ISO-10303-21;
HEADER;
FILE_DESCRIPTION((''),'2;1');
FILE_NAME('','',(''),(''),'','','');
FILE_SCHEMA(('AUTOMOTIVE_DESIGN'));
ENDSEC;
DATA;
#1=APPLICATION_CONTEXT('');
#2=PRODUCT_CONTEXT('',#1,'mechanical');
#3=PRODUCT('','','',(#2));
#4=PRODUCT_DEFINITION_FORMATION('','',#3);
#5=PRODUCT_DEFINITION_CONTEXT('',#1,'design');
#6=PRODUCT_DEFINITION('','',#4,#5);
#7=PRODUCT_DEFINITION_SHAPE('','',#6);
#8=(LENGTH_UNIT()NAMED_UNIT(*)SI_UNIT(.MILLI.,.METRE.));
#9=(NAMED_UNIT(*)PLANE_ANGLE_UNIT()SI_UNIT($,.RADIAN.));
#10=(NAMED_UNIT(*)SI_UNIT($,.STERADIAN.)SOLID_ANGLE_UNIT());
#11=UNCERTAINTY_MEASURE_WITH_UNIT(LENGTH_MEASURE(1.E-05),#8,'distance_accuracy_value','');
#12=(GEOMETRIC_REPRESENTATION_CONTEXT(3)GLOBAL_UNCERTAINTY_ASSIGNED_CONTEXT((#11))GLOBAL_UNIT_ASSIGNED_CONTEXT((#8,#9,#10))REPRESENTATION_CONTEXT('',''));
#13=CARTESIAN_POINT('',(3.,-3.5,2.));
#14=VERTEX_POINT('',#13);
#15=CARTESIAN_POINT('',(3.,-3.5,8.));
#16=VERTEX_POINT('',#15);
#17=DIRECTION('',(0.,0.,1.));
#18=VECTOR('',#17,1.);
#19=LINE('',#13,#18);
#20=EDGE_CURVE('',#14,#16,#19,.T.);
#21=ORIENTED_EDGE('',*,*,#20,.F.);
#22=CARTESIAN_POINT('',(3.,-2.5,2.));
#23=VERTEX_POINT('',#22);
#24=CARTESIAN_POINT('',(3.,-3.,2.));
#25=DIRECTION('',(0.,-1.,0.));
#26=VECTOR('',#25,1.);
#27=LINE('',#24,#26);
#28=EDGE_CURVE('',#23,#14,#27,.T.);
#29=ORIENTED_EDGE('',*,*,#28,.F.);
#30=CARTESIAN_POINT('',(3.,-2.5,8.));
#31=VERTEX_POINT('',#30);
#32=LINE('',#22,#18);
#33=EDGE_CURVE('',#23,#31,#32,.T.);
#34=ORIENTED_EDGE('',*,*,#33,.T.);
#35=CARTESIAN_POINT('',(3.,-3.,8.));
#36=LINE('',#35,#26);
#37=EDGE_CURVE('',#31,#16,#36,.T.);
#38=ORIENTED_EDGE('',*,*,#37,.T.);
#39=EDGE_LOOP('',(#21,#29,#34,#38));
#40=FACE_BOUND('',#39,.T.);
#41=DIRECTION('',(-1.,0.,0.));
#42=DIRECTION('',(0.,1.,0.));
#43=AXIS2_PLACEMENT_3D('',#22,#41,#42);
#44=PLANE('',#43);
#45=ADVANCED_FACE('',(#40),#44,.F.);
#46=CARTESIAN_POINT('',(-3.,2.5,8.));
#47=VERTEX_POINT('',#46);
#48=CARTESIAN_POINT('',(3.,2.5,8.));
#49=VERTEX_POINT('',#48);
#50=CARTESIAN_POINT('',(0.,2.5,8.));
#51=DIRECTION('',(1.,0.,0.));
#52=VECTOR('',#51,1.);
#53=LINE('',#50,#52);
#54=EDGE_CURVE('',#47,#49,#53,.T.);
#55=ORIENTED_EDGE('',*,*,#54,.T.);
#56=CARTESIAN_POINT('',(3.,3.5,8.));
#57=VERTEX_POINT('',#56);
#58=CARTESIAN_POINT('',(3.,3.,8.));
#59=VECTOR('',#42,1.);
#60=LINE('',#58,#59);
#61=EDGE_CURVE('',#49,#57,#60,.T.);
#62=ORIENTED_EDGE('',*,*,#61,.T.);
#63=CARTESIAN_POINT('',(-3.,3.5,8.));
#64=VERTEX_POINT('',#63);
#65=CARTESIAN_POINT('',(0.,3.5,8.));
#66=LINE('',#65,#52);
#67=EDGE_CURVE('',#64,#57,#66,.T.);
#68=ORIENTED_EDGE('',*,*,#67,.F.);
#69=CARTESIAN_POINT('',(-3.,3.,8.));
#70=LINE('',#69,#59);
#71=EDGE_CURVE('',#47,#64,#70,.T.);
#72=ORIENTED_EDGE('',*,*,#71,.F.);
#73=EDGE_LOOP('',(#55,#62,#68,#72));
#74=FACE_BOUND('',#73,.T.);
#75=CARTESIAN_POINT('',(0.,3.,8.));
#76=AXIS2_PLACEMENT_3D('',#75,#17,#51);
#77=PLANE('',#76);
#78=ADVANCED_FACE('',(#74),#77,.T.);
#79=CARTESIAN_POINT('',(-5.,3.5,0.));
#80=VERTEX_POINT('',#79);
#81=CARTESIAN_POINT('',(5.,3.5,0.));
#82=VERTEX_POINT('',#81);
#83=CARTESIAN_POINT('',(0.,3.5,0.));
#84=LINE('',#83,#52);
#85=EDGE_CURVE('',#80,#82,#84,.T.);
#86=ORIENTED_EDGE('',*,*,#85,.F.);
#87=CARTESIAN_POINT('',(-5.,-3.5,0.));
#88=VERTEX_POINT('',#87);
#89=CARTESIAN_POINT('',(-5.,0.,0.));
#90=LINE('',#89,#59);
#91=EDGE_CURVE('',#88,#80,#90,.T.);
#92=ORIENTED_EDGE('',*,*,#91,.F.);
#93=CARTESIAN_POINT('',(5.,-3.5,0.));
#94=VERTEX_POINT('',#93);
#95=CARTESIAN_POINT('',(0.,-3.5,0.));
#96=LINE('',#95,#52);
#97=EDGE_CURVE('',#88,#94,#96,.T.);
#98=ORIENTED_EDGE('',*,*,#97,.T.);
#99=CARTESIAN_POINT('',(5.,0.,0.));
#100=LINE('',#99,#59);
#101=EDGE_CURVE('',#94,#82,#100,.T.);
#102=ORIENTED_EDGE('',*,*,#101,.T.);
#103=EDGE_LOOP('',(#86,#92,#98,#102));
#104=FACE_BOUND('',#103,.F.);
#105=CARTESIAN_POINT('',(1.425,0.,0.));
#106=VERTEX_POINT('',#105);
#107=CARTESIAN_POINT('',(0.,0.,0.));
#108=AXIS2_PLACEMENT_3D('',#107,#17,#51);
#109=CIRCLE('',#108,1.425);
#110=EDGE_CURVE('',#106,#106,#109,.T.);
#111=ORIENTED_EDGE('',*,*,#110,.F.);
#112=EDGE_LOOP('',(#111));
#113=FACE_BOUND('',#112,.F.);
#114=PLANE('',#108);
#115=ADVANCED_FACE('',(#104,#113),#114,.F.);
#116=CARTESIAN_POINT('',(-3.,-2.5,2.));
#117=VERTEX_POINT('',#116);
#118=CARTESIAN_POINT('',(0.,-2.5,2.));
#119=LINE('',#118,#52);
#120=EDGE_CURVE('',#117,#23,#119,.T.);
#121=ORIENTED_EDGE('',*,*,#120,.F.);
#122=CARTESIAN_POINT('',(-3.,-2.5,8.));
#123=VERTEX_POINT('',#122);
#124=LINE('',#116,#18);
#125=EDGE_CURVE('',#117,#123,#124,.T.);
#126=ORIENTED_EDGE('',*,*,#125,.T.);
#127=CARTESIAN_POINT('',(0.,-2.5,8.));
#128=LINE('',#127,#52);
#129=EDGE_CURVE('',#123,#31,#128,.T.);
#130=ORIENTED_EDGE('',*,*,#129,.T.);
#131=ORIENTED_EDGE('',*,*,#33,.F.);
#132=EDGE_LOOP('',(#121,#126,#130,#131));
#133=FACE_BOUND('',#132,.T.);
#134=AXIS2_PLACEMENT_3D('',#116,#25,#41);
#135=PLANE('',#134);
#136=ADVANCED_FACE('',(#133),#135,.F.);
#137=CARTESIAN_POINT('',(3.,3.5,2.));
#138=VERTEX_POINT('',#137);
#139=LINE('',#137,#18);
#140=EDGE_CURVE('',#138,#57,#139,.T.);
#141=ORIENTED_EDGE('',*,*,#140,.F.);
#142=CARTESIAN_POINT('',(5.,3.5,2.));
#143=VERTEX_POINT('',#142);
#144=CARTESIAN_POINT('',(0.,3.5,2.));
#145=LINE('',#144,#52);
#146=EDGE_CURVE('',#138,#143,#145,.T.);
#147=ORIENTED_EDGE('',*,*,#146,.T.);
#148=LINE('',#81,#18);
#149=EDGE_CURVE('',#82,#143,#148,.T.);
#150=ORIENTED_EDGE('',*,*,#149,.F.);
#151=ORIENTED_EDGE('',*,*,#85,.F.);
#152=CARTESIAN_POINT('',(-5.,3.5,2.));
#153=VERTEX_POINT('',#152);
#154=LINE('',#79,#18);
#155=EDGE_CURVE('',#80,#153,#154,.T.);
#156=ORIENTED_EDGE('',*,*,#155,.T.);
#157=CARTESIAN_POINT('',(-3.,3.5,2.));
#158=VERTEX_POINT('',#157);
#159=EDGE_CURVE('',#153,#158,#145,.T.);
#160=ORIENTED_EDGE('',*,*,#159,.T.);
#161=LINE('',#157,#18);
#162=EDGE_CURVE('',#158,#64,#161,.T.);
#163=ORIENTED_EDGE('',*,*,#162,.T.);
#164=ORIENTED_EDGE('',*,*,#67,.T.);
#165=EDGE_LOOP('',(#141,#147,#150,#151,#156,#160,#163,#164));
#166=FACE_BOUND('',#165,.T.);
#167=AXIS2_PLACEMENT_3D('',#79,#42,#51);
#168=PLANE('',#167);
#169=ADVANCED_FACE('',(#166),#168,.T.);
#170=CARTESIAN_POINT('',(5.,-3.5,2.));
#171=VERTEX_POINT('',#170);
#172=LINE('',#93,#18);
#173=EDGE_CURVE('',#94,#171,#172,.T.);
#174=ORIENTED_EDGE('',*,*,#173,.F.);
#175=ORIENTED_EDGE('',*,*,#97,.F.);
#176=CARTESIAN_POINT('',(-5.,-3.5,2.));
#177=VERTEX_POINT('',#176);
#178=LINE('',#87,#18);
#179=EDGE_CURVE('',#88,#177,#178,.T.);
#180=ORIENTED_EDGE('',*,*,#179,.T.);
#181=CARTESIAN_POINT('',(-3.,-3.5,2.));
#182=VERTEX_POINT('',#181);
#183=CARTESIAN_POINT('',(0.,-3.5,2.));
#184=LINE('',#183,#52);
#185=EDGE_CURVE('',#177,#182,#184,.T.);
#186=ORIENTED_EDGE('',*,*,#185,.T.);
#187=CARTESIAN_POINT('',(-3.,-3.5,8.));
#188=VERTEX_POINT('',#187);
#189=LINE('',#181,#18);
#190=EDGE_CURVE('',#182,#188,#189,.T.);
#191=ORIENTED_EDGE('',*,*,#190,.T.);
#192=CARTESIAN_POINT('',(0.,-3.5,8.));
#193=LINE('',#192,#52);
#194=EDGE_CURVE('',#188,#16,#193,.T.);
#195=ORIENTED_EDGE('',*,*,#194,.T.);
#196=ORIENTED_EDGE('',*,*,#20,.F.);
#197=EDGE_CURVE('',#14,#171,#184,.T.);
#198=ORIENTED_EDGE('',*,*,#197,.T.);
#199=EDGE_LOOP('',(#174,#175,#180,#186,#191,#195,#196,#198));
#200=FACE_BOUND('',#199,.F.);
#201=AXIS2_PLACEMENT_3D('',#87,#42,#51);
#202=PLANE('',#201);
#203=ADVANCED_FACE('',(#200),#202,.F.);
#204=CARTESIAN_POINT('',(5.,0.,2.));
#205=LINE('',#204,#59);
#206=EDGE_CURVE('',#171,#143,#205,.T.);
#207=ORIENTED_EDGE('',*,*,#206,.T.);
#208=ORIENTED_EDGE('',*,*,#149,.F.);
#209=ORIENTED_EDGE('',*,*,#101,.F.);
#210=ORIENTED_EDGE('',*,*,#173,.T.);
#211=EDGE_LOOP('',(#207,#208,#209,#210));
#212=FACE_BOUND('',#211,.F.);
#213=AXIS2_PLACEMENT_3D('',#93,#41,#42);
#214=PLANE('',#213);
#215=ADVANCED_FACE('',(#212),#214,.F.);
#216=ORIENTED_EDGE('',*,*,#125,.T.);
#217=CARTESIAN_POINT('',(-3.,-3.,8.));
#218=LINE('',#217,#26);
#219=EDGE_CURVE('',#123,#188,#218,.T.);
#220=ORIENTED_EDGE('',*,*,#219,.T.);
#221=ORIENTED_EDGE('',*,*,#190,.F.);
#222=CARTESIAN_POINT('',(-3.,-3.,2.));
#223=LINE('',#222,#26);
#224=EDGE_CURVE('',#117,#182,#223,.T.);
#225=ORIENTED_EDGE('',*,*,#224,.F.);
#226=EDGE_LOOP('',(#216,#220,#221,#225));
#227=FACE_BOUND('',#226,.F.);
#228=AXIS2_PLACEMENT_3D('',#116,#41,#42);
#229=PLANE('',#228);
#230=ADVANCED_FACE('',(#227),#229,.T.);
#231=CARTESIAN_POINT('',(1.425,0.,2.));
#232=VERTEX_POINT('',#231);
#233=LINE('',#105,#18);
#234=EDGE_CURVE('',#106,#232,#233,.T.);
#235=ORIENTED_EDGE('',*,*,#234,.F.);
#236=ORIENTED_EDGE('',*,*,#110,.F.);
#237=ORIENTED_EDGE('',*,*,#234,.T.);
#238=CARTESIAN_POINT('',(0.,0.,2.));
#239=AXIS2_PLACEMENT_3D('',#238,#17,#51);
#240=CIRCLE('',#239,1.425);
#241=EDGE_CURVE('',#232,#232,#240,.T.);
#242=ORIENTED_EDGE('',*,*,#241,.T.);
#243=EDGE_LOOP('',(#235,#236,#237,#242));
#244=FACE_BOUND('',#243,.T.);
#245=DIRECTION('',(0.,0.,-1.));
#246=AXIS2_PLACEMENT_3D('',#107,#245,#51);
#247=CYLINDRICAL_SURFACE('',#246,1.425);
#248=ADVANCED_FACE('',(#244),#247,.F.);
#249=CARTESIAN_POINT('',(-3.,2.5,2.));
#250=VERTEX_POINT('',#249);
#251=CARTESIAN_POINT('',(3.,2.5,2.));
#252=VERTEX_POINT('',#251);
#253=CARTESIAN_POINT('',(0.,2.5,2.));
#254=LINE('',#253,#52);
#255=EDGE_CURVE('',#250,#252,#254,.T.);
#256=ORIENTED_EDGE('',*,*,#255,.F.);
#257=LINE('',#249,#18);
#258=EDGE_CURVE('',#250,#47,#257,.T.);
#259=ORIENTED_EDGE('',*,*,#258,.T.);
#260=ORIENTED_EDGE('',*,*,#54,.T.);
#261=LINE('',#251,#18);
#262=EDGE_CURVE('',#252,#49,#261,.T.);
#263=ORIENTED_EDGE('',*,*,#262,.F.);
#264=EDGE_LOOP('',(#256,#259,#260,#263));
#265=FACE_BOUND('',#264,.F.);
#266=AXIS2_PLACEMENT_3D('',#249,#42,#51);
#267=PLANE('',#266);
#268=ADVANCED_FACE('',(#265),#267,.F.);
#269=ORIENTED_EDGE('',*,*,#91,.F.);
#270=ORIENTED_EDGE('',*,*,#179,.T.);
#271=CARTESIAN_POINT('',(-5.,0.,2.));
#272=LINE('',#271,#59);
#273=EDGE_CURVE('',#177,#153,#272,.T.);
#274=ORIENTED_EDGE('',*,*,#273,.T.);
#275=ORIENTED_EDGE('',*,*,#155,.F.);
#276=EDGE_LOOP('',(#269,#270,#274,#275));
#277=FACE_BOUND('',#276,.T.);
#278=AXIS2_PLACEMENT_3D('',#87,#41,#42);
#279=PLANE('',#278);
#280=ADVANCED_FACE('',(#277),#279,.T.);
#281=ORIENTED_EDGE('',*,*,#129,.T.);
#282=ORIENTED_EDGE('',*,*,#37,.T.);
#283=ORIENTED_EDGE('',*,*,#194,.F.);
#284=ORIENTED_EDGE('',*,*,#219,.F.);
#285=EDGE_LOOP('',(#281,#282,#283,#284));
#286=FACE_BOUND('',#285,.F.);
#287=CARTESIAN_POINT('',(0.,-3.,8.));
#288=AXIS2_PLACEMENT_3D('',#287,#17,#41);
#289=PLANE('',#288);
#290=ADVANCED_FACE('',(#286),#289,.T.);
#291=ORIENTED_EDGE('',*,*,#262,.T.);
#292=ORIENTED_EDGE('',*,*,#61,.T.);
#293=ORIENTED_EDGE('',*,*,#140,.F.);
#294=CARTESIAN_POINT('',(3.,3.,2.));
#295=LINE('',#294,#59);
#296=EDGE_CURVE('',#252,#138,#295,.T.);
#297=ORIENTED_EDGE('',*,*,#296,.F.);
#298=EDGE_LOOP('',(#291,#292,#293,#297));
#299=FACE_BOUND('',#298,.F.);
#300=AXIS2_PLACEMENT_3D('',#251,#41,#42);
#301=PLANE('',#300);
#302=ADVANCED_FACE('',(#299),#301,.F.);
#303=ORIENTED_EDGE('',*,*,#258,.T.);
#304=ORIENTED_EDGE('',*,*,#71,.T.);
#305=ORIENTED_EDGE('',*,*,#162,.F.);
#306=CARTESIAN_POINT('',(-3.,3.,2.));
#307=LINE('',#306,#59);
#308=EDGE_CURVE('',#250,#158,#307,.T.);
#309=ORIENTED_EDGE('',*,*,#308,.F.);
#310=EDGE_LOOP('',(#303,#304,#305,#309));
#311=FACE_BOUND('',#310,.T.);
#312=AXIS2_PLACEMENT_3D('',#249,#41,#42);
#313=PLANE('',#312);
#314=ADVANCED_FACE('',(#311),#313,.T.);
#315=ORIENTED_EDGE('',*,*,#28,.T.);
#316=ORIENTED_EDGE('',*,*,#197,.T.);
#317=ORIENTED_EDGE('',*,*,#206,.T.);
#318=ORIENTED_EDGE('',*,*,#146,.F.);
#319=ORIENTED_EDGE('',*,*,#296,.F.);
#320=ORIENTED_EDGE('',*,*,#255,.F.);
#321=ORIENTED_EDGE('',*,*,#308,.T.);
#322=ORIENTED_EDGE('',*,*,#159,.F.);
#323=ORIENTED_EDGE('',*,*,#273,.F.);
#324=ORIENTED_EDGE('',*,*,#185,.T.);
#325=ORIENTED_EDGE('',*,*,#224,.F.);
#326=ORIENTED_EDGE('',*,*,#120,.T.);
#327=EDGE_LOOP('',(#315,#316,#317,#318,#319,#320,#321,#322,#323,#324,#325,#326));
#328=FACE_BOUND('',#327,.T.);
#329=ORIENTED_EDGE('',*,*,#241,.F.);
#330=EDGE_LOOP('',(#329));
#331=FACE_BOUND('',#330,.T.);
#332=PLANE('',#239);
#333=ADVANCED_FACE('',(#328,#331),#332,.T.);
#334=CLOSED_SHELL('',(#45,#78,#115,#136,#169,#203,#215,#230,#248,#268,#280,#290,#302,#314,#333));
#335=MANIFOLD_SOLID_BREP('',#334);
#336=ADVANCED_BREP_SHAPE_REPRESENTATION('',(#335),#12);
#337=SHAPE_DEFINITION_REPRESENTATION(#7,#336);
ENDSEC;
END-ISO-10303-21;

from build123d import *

# Parameters (mm, degrees)
SKETCH1_W           = 10
SKETCH1_H           = 7
SKETCH1_R           = 1.425
BOSS_EXTRUDE1_DEPTH = 2
SKETCH3_W           = 6
SKETCH3_H           = 1
BOSS_EXTRUDE2_DEPTH = 6


with BuildPart() as part:
    # Sketch1 → Boss-Extrude1 (new body)
    with BuildSketch(Plane.XY):
        Rectangle(SKETCH1_W, SKETCH1_H)
        Circle(SKETCH1_R, mode=Mode.SUBTRACT)
    extrude(amount=BOSS_EXTRUDE1_DEPTH)

    # Sketch3 → Boss-Extrude2 (add)
    with BuildSketch(Plane.XY.offset(2)):
        with Locations((0, 3)):
            Rectangle(SKETCH3_W, SKETCH3_H)
    boss_extrude2 = extrude(amount=BOSS_EXTRUDE2_DEPTH)

    # Mirror1: Boss-Extrude2 across plane
    add(boss_extrude2.mirror(Plane.ZX))


solid = part.part
